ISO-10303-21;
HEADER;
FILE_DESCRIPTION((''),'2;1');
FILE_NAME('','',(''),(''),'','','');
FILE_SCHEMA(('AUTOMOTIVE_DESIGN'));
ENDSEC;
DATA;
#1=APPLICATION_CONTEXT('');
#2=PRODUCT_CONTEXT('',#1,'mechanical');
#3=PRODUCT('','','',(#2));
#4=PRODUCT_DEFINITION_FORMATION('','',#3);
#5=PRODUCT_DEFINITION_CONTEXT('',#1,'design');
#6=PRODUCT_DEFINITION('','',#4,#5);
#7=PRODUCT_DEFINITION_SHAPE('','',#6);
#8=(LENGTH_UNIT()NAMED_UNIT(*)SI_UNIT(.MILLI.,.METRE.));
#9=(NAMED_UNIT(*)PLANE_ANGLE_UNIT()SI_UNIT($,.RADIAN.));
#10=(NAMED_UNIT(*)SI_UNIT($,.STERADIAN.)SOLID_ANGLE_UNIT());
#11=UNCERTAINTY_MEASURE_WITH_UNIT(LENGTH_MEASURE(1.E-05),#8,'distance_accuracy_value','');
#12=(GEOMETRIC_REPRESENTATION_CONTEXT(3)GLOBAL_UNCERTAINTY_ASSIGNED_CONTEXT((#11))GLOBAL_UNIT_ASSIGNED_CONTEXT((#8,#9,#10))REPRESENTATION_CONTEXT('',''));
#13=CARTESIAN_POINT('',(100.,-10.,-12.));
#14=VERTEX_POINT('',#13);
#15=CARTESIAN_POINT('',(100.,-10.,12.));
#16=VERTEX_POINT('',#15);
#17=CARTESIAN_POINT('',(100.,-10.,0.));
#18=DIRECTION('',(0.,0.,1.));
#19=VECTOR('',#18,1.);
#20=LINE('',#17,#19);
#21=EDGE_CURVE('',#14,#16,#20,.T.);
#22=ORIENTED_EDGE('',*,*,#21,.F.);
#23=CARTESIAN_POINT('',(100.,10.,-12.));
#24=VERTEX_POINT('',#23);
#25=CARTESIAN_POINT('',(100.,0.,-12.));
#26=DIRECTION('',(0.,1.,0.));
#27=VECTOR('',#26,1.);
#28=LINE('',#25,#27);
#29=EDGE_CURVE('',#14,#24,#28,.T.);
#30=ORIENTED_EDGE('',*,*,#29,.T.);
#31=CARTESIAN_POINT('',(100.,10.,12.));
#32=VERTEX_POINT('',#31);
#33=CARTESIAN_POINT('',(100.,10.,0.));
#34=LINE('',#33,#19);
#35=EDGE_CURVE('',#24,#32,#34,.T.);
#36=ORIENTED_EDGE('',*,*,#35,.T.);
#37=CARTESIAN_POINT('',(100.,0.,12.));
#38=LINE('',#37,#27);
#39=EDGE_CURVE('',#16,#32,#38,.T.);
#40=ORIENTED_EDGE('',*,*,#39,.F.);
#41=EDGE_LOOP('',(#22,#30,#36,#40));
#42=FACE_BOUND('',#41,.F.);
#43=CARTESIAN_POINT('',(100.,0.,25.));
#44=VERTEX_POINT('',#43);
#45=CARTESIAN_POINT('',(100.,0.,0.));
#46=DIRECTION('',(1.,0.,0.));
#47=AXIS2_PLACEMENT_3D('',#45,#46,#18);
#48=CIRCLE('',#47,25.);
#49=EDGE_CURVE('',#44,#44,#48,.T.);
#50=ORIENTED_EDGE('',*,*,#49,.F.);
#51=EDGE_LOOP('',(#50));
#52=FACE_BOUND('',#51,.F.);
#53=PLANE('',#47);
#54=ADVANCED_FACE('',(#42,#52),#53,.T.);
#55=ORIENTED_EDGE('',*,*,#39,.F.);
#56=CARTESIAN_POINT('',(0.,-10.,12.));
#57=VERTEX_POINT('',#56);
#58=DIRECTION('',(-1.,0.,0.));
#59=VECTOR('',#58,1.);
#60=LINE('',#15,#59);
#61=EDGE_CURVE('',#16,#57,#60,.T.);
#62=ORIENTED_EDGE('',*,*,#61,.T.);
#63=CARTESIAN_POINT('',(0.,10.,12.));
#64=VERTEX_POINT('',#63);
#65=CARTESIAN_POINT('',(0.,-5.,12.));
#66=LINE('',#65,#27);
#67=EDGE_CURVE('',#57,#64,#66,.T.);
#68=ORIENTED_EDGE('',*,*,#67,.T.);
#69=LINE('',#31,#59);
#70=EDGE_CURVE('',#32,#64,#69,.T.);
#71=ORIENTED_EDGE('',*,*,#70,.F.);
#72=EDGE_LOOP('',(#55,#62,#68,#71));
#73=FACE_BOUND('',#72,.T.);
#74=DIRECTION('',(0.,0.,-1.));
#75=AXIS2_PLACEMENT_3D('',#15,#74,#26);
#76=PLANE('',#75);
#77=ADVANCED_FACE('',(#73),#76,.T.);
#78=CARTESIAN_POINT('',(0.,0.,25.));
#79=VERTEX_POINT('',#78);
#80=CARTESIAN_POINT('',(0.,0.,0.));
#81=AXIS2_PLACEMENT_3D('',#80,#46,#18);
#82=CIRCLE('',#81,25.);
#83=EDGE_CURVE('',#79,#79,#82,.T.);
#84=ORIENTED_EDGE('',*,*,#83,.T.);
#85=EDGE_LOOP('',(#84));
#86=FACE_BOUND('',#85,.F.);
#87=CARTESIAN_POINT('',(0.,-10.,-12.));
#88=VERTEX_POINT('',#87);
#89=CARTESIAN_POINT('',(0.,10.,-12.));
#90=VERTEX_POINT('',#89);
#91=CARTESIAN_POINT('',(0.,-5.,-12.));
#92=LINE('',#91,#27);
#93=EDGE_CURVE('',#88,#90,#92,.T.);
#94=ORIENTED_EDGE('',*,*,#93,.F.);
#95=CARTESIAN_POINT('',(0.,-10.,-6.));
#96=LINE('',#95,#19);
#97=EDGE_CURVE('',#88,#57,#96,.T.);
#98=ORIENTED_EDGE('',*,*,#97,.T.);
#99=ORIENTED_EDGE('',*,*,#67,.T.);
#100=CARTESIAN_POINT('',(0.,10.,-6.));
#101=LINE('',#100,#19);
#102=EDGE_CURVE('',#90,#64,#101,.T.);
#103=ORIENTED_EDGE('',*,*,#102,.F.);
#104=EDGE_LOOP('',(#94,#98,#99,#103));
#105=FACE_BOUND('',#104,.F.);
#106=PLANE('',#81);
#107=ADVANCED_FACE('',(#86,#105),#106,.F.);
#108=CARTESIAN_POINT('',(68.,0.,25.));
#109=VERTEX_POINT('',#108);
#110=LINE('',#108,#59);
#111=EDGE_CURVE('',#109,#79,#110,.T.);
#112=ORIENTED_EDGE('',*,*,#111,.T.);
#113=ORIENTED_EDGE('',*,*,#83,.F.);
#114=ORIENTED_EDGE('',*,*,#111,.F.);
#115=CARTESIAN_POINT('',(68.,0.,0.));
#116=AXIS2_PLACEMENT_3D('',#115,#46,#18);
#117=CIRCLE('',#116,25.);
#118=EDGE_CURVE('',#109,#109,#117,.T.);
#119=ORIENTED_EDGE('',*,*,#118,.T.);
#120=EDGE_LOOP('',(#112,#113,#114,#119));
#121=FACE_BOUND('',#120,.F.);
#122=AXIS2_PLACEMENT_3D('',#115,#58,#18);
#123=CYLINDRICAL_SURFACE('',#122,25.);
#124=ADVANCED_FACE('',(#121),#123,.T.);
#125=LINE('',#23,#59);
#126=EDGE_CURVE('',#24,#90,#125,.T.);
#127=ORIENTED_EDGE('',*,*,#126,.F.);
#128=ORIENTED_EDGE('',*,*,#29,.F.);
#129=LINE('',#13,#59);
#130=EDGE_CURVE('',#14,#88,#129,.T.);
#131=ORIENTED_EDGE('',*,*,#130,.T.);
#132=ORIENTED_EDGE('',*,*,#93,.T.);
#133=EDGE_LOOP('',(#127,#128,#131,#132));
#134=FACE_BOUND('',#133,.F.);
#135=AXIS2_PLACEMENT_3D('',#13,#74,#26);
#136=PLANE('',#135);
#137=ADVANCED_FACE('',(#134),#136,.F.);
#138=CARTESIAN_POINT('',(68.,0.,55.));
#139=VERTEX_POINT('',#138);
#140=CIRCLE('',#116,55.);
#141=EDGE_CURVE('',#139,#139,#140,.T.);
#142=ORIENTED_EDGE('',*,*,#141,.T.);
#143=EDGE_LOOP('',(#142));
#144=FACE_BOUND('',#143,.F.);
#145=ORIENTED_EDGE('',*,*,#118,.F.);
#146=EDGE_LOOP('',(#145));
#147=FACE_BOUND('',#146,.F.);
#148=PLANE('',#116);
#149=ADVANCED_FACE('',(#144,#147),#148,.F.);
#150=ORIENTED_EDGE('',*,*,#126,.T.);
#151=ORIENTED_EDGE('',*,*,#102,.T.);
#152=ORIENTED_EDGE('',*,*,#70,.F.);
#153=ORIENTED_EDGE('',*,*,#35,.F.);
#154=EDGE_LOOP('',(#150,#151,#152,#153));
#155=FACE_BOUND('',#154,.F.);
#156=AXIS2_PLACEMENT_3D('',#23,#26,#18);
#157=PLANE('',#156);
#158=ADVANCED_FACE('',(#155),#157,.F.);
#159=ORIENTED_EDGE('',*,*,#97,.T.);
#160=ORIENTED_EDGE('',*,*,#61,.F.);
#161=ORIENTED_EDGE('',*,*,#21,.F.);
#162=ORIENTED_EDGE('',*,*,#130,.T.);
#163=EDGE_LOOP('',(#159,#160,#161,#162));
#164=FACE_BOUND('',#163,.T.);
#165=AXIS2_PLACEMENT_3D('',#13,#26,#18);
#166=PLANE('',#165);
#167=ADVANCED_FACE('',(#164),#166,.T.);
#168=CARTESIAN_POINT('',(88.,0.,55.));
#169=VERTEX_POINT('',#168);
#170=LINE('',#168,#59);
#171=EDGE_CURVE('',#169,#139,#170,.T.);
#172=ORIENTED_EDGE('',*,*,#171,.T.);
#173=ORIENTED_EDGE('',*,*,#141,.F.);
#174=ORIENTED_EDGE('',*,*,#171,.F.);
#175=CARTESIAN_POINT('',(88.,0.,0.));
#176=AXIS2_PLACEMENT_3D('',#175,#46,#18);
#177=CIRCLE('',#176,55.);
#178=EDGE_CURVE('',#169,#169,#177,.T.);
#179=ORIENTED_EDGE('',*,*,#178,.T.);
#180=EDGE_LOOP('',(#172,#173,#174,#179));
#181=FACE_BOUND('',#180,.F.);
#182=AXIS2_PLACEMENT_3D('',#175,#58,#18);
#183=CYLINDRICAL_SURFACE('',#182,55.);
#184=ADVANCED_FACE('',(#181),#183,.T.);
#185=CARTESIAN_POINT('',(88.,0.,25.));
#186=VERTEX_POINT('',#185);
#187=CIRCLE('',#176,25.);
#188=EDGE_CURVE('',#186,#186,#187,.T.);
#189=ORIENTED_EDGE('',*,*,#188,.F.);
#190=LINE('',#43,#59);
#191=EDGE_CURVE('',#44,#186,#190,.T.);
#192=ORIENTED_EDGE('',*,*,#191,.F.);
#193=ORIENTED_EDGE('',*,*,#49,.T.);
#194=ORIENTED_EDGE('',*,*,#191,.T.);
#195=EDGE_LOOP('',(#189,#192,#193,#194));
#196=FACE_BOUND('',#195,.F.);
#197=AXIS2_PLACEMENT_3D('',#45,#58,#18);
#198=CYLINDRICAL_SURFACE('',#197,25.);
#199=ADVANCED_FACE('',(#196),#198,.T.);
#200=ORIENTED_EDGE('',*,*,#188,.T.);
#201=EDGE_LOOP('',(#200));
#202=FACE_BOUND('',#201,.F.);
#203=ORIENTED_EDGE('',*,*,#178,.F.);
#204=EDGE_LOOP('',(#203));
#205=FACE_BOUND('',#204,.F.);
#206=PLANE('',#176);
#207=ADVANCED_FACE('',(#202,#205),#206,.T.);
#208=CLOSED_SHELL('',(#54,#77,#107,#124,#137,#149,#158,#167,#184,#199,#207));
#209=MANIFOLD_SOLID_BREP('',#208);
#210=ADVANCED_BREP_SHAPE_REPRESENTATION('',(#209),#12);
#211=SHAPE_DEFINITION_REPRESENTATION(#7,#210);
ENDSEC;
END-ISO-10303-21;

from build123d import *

# Parameters (mm, degrees)
F2_W     = 20
F2_H     = 24
F3_DEPTH = 100.001


with BuildPart() as f1:
    # F0 (on Front) → F1 (revolve)
    with BuildSketch(Plane.XZ):
        Polygon((0, 25), (0, 0), (100, 0), (100, 25), (88, 25), (88, 55), (68, 55), (68, 25), align=None)
    revolve(axis=Axis((50, 0, 0), (1, 0, 0)))

    # F2 (on face) → F3 (cut, through all)
    with BuildSketch(Plane.YZ.offset(100)):
        Rectangle(F2_W, F2_H)
    extrude(amount=-F3_DEPTH, mode=Mode.SUBTRACT)


solid = f1.part
